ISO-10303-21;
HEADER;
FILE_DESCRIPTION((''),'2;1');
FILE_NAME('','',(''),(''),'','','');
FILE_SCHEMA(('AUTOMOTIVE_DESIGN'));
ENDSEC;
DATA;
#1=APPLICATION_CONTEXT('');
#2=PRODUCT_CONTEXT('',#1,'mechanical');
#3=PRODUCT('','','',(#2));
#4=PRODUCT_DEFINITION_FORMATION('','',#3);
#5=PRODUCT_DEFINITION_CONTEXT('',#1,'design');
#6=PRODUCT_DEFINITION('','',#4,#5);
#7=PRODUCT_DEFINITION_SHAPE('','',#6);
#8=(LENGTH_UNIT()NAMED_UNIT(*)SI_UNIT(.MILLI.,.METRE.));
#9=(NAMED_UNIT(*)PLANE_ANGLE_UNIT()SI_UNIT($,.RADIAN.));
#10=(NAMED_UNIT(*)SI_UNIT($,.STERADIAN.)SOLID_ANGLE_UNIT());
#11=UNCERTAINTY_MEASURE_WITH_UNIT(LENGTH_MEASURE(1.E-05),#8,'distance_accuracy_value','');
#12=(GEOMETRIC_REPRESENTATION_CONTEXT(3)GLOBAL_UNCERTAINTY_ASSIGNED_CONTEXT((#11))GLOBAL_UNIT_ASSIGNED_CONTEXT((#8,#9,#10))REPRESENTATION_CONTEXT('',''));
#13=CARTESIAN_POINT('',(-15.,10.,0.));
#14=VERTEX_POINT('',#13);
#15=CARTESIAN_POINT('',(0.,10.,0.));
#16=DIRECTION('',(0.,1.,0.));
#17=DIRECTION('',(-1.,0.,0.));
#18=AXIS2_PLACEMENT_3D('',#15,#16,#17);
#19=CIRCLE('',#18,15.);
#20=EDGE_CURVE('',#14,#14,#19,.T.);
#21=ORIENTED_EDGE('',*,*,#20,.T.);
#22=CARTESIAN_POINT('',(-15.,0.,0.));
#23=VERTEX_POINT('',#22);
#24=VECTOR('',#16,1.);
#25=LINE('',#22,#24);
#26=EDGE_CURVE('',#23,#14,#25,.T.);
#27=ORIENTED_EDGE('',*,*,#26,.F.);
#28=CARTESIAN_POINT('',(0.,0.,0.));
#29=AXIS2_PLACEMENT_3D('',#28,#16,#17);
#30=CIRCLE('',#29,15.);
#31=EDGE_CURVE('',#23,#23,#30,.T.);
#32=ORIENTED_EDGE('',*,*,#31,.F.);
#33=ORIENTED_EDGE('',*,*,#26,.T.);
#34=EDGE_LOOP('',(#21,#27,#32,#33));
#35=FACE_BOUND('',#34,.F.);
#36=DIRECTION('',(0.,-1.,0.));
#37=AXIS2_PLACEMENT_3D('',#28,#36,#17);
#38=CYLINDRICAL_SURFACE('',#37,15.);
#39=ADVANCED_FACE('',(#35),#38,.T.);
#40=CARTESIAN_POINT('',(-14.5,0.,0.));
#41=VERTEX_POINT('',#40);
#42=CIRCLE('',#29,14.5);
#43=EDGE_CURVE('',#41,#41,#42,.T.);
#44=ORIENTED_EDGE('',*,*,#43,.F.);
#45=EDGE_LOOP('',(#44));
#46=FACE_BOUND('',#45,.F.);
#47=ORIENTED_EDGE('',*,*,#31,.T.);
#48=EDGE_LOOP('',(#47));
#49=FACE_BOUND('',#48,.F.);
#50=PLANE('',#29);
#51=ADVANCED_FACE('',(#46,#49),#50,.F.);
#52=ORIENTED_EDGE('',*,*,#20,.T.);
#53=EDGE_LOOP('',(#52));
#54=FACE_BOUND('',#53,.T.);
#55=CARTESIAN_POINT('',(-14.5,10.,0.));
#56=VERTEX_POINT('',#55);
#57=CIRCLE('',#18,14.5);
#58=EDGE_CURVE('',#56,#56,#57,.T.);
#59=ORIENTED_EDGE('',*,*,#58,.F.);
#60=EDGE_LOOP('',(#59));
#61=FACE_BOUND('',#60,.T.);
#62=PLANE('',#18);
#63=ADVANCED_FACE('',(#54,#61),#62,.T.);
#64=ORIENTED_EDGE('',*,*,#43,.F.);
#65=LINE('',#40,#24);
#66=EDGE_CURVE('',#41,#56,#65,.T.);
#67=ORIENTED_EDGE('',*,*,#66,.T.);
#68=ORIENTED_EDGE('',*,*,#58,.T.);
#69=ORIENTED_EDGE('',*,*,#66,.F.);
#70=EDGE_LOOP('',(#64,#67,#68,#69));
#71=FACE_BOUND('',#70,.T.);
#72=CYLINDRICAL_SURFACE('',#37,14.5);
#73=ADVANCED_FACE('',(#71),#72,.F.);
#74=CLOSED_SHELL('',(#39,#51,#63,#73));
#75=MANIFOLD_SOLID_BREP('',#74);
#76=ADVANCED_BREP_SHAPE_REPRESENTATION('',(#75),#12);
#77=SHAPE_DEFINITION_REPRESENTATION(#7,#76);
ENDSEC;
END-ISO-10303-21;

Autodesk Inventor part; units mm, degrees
ref_plane "YZ Plane" through (0, 0, 0) normal (1, 0, 0) x (0, 1, 0)
ref_plane "XZ Plane" through (0, 0, 0) normal (0, 1, 0) x (-1, 0, 0)
ref_plane "XY Plane" through (0, 0, 0) normal (0, 0, 1) x (1, 0, 0)
sketch "Sketch1" plane through (0, 0, 0) normal (0, 1, 0) x (-1, 0, 0)
  circle A0 centre (0, 0) radius 15
  circle A1 centre (0, 0) radius 14.5
  dimension "d0" = 30
  dimension "d1" = 29
extrude "Extrusion1" add sketch "Sketch1" along normal blind 10
properties part number "InnerGripperArea"
